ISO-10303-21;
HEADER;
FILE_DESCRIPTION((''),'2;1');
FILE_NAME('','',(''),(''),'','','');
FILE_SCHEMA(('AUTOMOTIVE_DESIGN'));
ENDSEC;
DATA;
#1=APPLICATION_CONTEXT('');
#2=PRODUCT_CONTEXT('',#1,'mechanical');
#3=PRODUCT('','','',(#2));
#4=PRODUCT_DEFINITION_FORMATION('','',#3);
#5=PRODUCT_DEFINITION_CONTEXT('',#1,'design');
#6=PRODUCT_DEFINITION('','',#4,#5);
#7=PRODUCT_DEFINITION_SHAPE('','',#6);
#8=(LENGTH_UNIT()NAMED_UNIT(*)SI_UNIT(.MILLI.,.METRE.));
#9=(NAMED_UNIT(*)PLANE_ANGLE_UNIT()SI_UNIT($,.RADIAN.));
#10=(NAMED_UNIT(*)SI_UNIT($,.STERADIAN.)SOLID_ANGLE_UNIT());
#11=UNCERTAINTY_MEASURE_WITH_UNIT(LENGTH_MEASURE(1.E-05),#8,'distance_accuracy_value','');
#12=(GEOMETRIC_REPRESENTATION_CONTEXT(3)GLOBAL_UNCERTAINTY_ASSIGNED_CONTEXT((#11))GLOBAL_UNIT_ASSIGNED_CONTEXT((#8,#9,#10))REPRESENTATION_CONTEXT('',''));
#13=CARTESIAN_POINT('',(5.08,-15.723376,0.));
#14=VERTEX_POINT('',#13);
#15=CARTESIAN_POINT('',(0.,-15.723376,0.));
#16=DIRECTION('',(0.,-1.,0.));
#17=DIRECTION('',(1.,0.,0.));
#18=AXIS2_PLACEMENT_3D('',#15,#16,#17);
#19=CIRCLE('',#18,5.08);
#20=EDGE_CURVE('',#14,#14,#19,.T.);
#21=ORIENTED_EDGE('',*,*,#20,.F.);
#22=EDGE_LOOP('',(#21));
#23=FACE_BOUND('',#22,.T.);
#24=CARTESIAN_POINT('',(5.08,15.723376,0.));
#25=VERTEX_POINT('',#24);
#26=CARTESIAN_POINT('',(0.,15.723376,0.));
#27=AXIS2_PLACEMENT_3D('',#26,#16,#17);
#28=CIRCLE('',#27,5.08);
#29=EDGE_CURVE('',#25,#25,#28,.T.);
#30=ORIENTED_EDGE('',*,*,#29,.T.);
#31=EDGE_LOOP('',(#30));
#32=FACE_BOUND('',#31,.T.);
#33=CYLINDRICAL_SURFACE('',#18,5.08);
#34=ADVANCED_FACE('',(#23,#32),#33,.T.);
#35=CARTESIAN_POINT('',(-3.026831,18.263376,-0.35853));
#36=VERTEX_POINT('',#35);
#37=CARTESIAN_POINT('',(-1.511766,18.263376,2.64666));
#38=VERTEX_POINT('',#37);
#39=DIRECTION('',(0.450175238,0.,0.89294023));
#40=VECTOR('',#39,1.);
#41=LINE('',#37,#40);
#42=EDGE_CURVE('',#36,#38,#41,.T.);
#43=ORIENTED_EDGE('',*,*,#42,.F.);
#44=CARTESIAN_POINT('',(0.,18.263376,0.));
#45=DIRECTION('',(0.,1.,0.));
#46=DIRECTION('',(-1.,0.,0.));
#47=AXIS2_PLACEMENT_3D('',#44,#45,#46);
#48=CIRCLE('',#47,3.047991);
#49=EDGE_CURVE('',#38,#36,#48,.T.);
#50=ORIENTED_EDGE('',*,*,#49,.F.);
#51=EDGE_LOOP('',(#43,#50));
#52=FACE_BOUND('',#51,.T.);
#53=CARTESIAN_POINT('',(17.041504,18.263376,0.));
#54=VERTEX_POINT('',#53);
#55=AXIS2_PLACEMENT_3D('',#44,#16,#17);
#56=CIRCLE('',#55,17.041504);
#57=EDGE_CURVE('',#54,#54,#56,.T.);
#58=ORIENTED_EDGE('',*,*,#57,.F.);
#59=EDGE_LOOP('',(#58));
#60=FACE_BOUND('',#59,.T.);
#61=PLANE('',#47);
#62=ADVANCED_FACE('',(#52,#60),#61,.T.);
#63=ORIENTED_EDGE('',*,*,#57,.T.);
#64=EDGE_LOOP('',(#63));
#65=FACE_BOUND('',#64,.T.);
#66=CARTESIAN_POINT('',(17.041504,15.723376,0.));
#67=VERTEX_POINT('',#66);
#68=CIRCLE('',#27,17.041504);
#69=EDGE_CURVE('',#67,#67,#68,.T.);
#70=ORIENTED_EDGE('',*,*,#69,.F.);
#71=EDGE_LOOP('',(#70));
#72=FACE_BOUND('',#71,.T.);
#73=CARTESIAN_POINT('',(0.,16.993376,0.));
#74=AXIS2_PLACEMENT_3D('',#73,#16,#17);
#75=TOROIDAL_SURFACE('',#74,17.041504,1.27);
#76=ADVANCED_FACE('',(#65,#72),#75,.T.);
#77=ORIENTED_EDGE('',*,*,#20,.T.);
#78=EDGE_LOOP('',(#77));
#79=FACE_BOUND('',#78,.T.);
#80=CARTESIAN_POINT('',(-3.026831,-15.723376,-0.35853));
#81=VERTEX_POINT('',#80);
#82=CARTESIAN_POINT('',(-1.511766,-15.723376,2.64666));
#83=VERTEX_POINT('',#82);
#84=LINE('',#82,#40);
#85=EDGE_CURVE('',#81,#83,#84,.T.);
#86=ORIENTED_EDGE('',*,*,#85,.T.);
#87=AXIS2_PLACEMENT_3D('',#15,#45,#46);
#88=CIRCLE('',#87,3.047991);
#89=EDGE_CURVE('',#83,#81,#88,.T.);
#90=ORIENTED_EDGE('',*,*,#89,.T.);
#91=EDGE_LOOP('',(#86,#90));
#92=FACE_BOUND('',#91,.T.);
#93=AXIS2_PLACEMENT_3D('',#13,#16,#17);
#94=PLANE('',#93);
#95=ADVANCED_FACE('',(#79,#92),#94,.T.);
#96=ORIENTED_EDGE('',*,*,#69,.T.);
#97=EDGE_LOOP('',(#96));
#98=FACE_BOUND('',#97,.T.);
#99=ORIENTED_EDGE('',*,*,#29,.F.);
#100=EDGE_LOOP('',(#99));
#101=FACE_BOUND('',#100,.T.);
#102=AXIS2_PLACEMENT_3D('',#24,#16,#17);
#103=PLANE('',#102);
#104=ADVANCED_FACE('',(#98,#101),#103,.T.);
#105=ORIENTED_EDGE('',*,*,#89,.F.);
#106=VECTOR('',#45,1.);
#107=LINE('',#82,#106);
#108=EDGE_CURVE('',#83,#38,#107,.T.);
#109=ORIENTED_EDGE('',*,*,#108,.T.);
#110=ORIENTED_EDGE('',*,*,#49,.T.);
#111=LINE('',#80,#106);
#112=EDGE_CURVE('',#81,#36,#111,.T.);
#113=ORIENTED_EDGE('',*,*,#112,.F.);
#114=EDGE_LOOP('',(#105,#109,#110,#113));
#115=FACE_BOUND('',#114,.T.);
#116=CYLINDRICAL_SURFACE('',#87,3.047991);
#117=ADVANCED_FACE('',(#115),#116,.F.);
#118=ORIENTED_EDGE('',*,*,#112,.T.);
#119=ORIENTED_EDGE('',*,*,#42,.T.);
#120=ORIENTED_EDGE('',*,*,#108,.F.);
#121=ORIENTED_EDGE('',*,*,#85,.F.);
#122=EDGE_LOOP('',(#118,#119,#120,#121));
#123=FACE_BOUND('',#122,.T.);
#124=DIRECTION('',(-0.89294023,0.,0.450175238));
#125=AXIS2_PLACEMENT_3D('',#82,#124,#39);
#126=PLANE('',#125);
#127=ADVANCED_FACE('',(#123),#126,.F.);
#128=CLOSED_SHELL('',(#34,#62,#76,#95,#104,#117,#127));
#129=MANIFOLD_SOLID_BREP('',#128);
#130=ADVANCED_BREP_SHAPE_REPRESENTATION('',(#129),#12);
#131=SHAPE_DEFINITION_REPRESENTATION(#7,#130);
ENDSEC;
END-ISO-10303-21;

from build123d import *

# Parameters (mm, degrees)
CUT_EXTRUDE1_DEPTH = 43.728464961


with BuildPart() as part:
    # Sketch1 → Revolve1 (revolve)
    with BuildSketch(Plane.XY):
        with BuildLine():
            Line((0, -15.723376421), (0, 18.263376421))
            Line((0, 18.263376421), (17.041503786, 18.263376421))
            ThreePointArc((17.041503786, 18.263376421), (18.311503786, 16.993376421), (17.041503786, 15.723376421))
            Line((17.041503786, 15.723376421), (5.08, 15.723376421))
            Line((5.08, 15.723376421), (5.08, -15.723376421))
            Line((5.08, -15.723376421), (0, -15.723376421))
        make_face()
    revolve(axis=Axis((0, -15.723376421, 0), (0, 1, 0)))

    # Sketch2 → Cut-Extrude1 (cut, through all)
    with BuildSketch(Plane(origin=(0, 18.263376421, 0), x_dir=(1, 0, 0), z_dir=(0, 1, 0))):
        with BuildLine():
            Line((-1.511765747, -2.646660354), (-3.026830512, 0.358529991))
            ThreePointArc((-3.026830512, 0.358529991), (2.721673429, 1.372129896), (-1.511765747, -2.646660354))
        make_face()
    extrude(amount=-CUT_EXTRUDE1_DEPTH, mode=Mode.SUBTRACT)


solid = part.part
